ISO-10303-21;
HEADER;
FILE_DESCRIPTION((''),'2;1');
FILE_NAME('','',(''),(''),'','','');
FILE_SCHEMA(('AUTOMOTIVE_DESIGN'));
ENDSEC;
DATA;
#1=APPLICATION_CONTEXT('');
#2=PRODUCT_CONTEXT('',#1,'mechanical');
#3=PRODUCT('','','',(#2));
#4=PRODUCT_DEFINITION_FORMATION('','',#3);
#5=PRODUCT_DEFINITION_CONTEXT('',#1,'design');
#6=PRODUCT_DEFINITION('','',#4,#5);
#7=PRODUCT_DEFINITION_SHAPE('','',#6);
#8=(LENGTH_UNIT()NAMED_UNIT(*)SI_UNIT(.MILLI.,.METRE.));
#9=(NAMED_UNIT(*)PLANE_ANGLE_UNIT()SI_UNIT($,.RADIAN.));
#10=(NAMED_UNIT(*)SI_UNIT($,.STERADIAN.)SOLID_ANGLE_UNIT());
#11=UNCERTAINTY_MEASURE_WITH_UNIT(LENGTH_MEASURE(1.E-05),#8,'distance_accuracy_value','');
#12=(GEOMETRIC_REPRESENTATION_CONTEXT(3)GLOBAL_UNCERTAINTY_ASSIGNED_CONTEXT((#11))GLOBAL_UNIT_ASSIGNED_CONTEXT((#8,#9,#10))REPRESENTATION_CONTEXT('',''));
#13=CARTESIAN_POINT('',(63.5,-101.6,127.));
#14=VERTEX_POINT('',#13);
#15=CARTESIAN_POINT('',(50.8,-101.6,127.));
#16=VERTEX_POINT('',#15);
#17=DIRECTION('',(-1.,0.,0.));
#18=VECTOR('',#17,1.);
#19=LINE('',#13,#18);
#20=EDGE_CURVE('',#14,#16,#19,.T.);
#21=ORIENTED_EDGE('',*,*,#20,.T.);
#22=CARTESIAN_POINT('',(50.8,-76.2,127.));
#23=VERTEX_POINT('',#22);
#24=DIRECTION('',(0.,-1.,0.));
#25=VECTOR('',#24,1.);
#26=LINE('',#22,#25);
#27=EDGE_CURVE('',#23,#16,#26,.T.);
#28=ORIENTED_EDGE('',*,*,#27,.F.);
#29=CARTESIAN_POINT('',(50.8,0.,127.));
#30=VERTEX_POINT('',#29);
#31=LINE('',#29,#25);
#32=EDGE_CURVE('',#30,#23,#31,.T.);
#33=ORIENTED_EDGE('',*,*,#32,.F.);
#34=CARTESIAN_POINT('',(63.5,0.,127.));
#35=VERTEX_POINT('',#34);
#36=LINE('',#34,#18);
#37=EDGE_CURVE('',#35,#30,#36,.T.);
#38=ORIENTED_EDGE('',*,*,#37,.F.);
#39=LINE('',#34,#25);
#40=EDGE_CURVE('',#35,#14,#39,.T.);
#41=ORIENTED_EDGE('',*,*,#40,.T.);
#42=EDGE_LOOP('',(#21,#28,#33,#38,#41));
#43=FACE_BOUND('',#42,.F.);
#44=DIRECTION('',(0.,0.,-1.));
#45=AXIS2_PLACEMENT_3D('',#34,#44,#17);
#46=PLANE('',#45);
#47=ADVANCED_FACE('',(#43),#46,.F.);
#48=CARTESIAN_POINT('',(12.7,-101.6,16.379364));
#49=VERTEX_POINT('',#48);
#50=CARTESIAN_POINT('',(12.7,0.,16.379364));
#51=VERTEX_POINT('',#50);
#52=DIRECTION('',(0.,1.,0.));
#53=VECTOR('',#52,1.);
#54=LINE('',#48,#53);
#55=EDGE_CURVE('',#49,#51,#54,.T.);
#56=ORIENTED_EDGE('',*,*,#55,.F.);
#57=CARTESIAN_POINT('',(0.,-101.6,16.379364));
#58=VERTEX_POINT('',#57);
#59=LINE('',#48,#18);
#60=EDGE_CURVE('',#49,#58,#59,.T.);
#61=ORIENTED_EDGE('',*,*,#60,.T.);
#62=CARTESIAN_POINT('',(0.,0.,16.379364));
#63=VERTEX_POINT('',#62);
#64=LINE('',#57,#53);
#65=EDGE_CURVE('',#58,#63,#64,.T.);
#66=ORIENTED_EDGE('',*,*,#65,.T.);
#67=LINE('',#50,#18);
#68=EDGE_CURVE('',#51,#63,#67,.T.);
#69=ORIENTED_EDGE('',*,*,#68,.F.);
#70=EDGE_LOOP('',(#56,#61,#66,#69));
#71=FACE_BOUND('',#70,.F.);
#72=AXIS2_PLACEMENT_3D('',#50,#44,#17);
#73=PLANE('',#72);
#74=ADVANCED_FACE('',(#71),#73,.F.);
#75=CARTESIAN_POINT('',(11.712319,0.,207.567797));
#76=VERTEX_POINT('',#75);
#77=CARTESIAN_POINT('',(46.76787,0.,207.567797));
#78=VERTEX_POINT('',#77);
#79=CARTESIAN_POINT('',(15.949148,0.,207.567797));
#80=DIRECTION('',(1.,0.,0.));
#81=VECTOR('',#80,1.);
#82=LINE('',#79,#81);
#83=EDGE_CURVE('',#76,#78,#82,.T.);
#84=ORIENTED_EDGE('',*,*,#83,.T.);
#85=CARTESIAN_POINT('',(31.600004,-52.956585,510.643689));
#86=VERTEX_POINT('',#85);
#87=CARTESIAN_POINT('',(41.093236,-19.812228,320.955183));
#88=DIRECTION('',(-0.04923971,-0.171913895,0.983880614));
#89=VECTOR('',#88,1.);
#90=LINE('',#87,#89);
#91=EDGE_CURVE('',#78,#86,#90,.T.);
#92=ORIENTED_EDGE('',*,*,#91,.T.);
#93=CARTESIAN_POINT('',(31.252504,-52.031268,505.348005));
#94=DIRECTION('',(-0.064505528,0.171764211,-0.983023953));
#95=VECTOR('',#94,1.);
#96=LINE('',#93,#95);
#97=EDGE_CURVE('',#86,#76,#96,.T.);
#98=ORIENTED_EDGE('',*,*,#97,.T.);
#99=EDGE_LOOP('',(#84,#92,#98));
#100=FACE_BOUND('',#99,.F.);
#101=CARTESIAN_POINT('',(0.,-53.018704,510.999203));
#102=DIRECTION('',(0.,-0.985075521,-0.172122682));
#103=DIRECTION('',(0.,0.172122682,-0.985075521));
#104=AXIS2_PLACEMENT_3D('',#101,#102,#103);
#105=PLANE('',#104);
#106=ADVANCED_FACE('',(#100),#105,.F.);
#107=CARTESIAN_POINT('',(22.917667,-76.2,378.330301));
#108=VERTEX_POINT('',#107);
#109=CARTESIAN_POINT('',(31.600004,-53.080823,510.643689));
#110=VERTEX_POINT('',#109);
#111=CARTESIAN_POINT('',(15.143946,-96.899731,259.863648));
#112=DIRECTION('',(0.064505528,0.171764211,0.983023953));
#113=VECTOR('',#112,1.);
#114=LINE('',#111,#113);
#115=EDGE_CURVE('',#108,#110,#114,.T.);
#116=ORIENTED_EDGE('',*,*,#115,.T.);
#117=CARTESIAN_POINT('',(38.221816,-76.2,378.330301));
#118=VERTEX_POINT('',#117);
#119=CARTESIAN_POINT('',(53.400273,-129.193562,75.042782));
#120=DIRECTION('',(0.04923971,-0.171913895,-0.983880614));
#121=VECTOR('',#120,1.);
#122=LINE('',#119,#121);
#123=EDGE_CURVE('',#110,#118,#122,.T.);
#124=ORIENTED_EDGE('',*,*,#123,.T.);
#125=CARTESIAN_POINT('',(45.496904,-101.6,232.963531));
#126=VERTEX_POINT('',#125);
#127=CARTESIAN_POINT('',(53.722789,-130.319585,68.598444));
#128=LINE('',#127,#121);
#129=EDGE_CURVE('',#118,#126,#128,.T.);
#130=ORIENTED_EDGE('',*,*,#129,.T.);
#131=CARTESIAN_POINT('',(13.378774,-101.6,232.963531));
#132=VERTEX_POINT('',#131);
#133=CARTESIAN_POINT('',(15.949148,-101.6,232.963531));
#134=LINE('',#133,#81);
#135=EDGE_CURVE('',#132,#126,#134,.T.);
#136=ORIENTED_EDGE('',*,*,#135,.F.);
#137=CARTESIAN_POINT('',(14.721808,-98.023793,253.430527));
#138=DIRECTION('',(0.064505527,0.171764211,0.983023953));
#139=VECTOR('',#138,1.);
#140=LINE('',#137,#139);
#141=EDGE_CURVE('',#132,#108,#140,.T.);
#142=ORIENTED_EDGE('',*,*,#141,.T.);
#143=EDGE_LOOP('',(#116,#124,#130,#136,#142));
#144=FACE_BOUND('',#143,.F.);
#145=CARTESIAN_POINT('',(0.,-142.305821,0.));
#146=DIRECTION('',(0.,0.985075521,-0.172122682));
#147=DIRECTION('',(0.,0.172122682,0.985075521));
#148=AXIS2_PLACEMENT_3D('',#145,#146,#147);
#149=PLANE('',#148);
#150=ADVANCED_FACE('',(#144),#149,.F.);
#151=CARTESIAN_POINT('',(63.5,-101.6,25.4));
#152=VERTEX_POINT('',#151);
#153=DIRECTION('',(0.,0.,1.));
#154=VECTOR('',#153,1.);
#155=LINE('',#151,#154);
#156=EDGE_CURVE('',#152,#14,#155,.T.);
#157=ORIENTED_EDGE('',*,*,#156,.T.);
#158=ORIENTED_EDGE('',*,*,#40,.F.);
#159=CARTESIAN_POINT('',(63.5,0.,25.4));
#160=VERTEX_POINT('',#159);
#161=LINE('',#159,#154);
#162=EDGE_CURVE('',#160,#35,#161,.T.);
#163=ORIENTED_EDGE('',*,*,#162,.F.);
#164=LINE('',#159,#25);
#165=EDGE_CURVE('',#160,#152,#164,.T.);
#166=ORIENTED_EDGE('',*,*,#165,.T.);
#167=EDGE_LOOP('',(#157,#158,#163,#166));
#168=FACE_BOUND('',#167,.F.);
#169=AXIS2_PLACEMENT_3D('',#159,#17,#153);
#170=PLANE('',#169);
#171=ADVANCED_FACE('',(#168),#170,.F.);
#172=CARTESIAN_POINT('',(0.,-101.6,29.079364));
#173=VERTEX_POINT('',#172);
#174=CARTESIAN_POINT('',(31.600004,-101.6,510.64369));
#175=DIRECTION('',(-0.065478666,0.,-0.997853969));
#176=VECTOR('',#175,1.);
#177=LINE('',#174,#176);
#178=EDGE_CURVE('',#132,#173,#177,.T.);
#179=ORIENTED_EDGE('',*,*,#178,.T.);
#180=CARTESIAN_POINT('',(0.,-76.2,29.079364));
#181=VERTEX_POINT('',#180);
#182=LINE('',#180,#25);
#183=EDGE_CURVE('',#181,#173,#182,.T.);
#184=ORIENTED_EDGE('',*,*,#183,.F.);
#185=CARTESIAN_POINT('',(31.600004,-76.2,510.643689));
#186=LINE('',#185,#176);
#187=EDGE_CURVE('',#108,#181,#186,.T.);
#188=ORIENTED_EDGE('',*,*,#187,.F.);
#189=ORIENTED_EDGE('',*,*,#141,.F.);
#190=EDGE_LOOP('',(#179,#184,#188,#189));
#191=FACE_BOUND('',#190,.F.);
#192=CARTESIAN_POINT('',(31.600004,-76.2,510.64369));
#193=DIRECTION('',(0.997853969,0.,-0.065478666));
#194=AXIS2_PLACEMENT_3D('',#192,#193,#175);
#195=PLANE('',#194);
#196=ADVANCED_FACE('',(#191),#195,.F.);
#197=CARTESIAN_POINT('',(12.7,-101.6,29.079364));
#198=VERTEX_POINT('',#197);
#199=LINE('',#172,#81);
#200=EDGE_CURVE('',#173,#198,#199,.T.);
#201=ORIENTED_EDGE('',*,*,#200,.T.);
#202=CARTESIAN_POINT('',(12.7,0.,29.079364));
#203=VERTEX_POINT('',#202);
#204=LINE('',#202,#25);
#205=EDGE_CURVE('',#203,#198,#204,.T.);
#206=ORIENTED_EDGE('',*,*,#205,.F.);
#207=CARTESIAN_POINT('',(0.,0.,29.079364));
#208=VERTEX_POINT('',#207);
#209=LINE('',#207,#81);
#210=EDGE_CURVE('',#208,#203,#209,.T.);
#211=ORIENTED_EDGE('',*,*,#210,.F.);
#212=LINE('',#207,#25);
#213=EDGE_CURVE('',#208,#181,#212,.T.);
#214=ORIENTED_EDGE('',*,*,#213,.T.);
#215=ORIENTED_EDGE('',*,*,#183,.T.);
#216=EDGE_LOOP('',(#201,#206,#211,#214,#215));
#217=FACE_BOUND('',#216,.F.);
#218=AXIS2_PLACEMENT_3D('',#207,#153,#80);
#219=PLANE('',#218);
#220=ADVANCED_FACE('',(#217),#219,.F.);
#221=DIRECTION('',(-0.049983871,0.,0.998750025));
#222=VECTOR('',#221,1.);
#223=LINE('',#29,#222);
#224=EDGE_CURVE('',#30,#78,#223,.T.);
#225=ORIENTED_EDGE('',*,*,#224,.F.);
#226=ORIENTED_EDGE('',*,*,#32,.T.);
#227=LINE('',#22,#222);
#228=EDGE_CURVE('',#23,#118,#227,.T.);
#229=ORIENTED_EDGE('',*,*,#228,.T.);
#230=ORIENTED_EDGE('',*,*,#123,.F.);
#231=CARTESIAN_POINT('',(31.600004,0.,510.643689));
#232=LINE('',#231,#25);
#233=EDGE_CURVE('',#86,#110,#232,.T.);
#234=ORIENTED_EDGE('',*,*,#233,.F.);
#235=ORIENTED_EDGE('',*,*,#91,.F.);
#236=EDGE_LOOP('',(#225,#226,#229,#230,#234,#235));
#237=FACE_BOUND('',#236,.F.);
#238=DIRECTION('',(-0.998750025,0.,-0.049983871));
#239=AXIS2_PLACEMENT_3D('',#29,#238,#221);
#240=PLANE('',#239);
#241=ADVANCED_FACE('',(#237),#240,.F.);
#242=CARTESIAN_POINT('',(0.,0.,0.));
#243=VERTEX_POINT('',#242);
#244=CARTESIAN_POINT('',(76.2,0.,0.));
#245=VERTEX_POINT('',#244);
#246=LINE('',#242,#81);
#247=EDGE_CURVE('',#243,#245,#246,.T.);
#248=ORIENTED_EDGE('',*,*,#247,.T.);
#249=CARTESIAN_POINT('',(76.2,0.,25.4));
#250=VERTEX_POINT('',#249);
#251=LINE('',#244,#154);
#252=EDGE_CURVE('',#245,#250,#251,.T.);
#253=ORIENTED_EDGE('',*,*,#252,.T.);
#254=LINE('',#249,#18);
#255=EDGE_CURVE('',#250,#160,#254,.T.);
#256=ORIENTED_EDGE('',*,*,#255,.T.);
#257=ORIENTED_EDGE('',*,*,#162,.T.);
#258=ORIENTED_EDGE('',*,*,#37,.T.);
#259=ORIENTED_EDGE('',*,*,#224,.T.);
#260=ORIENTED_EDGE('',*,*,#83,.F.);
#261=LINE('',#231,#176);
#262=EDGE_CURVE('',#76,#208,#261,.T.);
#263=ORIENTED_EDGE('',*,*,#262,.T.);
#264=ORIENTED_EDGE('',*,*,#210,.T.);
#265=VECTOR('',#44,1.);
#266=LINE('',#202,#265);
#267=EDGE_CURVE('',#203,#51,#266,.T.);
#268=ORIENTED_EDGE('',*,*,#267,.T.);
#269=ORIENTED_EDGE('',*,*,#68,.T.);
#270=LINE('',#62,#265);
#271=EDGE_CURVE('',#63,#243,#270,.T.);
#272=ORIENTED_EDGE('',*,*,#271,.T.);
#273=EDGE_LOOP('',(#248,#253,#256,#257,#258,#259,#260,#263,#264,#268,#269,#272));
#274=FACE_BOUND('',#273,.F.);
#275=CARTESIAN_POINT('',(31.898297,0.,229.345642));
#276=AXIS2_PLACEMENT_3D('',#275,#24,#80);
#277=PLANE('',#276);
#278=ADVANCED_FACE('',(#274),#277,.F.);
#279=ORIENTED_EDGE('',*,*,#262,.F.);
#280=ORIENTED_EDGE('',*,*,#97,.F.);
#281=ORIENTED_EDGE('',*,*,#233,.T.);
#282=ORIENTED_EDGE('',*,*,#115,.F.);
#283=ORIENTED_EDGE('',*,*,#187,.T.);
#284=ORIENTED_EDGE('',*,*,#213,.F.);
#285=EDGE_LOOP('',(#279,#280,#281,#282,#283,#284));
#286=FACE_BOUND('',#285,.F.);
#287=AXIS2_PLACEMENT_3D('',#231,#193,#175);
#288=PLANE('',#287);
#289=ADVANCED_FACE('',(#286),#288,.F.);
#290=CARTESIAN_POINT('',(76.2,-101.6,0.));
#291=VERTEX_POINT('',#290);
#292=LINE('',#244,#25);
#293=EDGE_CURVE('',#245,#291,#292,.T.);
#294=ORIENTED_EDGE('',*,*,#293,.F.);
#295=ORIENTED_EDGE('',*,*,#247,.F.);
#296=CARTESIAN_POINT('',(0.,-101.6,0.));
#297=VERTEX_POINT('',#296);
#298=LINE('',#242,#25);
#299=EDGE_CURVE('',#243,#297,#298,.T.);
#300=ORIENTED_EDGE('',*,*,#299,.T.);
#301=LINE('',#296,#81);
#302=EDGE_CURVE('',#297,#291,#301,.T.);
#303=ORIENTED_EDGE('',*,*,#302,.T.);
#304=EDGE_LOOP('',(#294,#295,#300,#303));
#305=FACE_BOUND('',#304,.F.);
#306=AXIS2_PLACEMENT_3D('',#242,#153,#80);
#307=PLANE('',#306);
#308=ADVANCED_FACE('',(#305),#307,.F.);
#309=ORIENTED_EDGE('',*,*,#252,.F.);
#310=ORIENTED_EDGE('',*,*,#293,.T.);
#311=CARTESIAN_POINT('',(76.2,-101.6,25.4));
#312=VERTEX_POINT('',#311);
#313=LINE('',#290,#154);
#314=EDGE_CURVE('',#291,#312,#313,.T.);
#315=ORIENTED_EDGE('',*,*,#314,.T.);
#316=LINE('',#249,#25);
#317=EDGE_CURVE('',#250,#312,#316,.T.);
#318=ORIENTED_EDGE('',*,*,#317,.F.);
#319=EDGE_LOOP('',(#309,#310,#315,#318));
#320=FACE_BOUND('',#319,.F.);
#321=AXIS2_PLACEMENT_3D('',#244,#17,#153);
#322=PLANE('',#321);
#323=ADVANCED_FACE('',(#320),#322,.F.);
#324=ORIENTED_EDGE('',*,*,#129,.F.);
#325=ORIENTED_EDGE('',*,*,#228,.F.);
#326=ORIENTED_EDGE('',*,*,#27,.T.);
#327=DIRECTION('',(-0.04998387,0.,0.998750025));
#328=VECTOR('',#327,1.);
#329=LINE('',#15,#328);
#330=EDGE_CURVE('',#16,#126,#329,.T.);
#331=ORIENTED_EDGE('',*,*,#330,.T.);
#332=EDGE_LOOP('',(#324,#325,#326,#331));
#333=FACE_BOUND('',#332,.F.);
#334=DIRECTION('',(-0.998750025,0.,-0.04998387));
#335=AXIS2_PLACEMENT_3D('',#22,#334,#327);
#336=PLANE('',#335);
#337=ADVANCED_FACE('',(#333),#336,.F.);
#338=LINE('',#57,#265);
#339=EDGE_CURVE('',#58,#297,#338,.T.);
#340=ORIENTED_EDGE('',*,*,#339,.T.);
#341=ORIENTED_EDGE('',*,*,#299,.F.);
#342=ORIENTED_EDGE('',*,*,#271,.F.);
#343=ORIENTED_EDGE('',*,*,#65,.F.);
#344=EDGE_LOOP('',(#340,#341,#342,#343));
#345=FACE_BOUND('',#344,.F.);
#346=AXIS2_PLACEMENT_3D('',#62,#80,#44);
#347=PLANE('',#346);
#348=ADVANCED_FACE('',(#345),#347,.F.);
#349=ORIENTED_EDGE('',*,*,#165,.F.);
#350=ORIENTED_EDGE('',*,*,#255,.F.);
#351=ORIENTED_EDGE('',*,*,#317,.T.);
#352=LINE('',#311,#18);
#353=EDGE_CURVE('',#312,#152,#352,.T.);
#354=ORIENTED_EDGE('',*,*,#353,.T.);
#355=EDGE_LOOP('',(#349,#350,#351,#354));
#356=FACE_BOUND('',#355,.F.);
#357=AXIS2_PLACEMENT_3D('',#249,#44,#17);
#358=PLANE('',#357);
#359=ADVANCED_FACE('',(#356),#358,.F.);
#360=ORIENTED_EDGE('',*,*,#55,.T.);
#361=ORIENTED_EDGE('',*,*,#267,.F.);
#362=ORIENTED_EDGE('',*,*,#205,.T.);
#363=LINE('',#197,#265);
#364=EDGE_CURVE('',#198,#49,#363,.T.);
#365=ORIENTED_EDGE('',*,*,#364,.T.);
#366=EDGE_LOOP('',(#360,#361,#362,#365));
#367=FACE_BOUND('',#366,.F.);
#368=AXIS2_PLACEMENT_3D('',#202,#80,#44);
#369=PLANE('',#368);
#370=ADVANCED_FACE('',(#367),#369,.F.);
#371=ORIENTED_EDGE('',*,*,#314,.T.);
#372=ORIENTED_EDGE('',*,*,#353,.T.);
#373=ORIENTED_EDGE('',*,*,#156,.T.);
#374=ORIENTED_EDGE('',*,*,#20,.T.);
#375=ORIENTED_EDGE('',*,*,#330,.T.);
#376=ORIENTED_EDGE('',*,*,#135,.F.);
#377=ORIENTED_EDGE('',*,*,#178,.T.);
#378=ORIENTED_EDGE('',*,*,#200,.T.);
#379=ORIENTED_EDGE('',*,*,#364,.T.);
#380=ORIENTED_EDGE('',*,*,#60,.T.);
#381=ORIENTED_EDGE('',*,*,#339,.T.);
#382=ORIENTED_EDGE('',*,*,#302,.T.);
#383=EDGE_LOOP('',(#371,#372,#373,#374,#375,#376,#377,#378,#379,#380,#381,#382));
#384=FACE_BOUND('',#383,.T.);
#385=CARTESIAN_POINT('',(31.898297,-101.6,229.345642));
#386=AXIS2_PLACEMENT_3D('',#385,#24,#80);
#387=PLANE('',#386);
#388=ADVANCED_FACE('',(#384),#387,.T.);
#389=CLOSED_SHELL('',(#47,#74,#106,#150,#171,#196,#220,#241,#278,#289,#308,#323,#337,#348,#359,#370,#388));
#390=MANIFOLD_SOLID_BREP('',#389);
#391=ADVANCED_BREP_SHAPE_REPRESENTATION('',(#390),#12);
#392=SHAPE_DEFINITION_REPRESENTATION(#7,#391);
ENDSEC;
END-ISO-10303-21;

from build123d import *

# Parameters (mm, degrees)
F1_DEPTH = 76.2
F2_DEPTH = 25.4
F4_DEPTH = 127


with BuildPart() as f1:
    # F0 (on Front) → F1 (new body)
    with BuildSketch(Plane.XZ):
        Polygon((0, 16.379364), (0, 0), (76.2, 0), (76.2, 25.4), (63.5, 25.4), (63.5, 127), (50.8, 127), (31.600004, 510.643689), (0, 29.079364), (12.7, 29.079364), (12.7, 16.379364), align=None)
    extrude(amount=F1_DEPTH)

    # F0 (on Front) + F1_face (on face) → F2 (join)
    with BuildSketch(Plane.XZ):
        Polygon((0, 16.379364), (0, 0), (76.2, 0), (76.2, 25.4), (63.5, 25.4), (63.5, 127), (50.8, 127), (31.600004, 510.643689), (0, 29.079364), (12.7, 29.079364), (12.7, 16.379364), align=None)
    with BuildSketch(Plane(origin=(32.20504, -76.2, 161.502692), x_dir=(1, 0, 0), z_dir=(0, -1, 0))):
        Polygon((-32.20504, -132.423328), (-19.50504, -132.423328), (-19.50504, -145.123328), (-32.20504, -145.123328), (-32.20504, -161.502692), (43.99496, -161.502692), (43.99496, -136.102692), (31.29496, -136.102692), (31.29496, -34.502692), (18.59496, -34.502692), (-0.605036, 349.140998), align=None)
    extrude(amount=F2_DEPTH)

    # F3 (on Right) → F4 (cut, symmetric)
    with BuildSketch(Plane.YZ):
        Polygon((-53.018704, 510.999203), (36.268413, 0), (28.625131, 603.81484), (-150.899715, 678.91259), (-142.305821, 0), align=None)
    extrude(amount=F4_DEPTH, both=True, mode=Mode.SUBTRACT)


solid = f1.part
